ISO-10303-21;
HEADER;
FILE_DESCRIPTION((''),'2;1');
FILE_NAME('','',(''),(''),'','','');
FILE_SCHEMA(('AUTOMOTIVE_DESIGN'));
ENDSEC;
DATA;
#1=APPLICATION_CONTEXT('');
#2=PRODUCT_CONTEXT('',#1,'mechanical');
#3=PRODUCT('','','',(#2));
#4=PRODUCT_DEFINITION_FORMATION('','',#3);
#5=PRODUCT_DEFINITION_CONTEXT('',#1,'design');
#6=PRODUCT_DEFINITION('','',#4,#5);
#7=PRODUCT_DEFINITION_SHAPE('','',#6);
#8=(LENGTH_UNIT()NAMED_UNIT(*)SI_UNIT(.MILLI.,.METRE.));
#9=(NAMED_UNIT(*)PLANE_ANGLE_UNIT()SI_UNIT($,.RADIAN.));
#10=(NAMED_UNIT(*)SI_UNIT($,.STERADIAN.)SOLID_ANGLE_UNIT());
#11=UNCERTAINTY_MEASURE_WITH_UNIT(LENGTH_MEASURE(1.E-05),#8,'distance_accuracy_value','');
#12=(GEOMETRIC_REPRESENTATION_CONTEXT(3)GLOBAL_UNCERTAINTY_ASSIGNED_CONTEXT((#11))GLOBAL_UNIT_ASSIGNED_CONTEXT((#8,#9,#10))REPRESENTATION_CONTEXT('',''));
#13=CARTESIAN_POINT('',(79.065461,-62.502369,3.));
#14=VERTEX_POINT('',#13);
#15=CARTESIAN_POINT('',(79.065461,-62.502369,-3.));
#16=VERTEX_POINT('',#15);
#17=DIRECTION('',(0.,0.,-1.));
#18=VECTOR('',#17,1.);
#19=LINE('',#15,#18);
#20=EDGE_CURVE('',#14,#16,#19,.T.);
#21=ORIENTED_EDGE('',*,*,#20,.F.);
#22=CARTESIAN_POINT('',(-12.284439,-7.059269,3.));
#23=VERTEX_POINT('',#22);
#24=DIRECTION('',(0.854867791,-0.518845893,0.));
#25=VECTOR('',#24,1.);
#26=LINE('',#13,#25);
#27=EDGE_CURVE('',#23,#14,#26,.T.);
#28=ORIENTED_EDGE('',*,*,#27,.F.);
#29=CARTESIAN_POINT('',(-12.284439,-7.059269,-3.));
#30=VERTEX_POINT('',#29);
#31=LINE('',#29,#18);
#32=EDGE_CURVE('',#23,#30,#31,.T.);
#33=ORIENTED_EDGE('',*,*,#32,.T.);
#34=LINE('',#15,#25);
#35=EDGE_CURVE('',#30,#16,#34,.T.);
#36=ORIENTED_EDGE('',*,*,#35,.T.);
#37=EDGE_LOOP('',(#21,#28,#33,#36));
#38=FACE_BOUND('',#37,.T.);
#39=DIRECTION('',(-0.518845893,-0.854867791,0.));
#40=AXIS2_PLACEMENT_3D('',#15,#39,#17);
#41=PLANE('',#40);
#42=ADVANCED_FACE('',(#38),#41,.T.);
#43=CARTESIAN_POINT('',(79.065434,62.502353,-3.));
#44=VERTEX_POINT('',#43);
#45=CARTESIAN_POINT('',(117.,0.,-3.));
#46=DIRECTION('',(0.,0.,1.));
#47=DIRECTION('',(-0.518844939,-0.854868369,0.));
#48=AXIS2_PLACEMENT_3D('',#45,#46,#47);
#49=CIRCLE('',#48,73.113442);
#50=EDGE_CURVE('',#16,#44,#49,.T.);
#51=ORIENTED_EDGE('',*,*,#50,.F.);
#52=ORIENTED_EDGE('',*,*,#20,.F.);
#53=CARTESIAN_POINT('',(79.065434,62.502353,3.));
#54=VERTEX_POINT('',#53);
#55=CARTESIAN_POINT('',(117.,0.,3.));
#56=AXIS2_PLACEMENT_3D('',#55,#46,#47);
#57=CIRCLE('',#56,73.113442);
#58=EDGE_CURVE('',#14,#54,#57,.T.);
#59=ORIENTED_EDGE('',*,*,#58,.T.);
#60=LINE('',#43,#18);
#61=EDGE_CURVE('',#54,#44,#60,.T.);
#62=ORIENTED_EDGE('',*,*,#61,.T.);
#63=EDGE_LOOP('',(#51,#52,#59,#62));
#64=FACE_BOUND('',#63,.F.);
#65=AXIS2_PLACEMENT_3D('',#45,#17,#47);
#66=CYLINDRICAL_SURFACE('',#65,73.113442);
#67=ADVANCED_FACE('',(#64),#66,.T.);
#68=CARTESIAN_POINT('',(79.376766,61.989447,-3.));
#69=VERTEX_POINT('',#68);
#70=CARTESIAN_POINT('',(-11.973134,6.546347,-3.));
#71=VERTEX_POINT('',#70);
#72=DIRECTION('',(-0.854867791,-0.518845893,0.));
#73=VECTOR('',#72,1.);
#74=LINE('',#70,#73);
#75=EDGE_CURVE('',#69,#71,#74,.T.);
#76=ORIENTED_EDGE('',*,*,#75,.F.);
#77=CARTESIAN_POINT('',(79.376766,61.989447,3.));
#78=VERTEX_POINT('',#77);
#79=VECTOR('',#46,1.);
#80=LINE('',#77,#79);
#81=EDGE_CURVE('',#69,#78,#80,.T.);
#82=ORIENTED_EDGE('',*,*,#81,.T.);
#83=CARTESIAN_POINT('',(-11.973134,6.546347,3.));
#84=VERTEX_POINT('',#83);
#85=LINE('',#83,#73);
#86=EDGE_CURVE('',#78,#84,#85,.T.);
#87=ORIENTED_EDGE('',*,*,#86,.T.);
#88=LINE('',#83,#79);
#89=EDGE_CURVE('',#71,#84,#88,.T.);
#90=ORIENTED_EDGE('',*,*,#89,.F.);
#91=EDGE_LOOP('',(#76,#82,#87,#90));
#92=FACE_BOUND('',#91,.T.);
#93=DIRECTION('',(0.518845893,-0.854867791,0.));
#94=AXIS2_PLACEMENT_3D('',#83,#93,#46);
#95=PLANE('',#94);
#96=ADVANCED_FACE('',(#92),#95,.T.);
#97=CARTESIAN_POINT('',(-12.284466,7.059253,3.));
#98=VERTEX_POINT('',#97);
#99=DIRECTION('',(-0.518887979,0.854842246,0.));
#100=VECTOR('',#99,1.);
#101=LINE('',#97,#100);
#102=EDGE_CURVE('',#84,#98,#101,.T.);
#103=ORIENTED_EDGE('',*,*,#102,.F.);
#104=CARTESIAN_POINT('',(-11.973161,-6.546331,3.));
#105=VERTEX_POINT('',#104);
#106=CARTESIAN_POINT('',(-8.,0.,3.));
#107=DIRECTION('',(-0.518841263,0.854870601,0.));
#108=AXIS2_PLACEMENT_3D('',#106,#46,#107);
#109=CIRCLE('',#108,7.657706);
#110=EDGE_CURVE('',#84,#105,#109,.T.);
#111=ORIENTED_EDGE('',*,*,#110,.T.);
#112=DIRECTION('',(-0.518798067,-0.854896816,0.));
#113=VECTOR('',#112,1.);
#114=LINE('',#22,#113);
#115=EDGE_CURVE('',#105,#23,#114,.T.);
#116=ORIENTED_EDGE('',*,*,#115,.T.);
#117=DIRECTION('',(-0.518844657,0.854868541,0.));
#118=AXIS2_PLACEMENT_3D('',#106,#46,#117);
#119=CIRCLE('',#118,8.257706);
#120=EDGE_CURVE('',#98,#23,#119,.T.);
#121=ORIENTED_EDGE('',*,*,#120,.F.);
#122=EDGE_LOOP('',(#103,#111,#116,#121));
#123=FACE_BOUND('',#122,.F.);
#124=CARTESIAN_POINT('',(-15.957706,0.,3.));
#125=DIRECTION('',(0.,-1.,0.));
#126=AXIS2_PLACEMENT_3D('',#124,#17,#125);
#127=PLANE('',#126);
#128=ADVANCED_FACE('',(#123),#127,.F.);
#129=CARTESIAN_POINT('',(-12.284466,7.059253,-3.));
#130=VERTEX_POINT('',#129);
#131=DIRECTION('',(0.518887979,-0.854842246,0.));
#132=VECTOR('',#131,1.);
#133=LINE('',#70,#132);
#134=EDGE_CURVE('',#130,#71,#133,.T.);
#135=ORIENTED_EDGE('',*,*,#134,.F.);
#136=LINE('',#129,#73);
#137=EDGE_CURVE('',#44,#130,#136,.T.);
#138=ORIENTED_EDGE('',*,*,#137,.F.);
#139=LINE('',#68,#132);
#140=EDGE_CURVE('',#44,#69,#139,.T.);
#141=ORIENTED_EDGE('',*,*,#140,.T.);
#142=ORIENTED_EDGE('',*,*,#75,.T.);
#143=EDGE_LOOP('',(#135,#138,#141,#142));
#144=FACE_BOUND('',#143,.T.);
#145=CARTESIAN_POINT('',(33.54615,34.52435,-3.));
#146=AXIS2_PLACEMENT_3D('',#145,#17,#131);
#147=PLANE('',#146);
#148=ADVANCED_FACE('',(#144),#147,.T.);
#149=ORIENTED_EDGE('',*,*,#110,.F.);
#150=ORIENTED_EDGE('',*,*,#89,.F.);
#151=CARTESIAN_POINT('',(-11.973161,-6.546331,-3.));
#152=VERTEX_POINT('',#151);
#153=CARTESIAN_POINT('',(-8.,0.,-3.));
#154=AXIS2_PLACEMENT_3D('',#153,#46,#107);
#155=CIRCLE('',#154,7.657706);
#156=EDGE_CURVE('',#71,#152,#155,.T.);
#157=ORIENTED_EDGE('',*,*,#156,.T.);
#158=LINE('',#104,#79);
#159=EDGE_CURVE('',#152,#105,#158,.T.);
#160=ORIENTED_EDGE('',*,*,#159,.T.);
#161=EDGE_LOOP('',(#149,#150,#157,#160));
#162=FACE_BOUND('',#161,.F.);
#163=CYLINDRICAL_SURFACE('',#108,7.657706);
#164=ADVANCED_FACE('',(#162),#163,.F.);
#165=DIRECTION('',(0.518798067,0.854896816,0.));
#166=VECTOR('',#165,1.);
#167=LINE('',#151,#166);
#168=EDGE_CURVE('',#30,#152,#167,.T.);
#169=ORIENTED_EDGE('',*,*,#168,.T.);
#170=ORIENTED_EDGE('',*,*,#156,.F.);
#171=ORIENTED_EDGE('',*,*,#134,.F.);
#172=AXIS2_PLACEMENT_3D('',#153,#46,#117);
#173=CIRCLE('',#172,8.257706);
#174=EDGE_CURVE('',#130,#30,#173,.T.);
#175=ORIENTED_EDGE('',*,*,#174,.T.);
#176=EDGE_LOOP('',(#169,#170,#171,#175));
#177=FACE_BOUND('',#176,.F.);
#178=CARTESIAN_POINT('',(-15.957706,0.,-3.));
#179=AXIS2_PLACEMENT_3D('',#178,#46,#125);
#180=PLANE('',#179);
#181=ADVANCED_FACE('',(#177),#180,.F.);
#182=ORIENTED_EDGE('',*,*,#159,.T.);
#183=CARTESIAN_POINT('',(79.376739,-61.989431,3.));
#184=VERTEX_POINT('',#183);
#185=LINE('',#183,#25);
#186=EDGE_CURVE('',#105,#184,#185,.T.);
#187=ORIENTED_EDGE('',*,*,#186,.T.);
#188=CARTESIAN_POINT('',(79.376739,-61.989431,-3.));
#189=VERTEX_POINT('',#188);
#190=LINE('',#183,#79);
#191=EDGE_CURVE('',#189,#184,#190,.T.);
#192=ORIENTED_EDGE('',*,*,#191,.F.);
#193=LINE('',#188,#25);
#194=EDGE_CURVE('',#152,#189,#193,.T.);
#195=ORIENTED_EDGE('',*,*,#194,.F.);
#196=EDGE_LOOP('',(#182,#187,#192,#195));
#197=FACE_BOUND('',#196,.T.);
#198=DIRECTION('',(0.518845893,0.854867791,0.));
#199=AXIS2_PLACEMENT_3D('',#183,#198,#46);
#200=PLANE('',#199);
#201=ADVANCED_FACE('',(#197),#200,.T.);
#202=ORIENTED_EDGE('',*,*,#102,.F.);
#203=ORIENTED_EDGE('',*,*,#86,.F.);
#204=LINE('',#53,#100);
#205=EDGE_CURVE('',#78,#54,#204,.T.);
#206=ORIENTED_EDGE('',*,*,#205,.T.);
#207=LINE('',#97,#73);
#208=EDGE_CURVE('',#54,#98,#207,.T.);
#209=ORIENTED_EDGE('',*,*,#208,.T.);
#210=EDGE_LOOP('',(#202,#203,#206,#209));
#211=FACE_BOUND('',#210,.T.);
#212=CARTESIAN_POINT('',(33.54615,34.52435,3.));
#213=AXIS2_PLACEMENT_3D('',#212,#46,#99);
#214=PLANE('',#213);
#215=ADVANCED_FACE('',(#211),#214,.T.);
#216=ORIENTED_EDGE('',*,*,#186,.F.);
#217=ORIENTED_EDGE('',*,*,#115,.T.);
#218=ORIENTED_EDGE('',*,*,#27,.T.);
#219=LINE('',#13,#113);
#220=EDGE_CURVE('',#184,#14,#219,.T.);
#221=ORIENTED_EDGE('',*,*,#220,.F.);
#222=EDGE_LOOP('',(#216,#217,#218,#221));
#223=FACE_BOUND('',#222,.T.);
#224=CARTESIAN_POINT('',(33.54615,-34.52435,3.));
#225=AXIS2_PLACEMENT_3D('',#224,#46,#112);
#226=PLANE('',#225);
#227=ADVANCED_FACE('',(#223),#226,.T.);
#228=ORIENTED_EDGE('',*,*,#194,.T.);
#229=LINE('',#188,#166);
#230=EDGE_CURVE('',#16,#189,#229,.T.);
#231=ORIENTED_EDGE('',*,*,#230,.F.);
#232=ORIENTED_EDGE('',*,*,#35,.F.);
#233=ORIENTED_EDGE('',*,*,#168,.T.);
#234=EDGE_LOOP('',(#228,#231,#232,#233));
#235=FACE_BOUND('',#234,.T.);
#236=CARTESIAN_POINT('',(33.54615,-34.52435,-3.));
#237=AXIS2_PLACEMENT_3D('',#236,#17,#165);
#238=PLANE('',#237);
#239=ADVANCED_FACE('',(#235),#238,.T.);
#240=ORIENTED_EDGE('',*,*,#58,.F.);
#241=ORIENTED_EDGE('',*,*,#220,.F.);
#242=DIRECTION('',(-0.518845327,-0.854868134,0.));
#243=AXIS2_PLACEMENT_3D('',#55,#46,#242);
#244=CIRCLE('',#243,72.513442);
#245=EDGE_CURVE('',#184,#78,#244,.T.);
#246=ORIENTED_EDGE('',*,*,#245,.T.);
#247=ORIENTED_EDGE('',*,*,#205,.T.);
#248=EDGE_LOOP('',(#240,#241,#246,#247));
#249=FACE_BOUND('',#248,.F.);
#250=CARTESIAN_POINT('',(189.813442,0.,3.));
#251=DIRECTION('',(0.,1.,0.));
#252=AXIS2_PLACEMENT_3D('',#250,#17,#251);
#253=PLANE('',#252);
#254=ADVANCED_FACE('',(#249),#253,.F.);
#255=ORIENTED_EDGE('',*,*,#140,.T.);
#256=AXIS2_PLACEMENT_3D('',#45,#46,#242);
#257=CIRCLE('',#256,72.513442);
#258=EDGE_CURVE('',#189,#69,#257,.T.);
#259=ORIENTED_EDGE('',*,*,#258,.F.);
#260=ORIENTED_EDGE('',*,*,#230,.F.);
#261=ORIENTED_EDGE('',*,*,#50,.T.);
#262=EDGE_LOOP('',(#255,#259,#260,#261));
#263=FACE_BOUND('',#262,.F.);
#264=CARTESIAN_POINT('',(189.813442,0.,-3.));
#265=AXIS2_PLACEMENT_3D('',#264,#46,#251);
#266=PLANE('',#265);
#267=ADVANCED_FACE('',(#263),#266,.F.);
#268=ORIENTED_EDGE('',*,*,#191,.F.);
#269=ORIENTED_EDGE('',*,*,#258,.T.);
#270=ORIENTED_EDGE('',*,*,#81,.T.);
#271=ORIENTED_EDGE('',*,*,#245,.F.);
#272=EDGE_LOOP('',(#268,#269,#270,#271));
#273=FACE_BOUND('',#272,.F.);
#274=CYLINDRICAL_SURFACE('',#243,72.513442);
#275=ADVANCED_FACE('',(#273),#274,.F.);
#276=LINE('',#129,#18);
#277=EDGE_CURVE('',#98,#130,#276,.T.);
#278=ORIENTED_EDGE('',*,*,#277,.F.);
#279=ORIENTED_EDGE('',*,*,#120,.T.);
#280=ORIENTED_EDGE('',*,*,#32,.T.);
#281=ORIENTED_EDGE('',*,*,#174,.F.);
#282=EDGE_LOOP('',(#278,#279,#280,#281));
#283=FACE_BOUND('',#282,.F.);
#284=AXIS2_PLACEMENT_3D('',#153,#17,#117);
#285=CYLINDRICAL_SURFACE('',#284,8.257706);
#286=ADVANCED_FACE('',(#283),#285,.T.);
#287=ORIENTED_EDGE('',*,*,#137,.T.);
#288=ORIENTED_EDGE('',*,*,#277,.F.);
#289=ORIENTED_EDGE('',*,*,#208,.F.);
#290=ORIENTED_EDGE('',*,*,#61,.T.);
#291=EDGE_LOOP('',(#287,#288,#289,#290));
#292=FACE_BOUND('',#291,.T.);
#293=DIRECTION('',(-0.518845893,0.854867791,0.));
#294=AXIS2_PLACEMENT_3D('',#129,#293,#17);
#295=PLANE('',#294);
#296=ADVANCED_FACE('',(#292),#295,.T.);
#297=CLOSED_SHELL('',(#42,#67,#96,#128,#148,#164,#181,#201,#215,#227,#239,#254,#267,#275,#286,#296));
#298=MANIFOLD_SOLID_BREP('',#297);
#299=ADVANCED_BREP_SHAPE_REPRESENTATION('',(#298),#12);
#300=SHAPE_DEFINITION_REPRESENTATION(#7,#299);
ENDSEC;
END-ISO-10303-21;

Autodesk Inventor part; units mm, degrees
sketch "Sketch Path" plane through (0, 0, 0) normal (0, 0, 1) x (1, 0, 0)
  arc A0 (-12.1288, 6.8028) -> (-12.1288, -6.8028) centre (-8, 0) ccw
  arc A1 (79.2211, -62.2459) -> (79.2211, 62.2459) centre (117, 0) ccw
  line L0 (79.2211, -62.2459) -> (-12.1288, -6.8028)
  line L1 (-12.1288, 6.8028) -> (79.2211, 62.2459)
ref_plane "Cross Section Plane" through (-12.1288, -6.8028, 0) normal (0.8549, -0.5188, 0) x (0, 0, 1)
ref_plane "Work Plane2" through (-8, 0, 0) normal (-1, 0, 0) x (0, 0, 1)
ref_plane "Work Plane3" through (117, 0, 0) normal (-0.8721, -0.4894, 0) x (0, 0, 1)
sketch "Cross Section" plane through (-12.1288, -6.8028, 0) normal (0.8549, -0.5188, 0) x (0, 0, 1)
  line L0 (-3, 0.3) -> (3, 0.3)
  line L1 (3, 0.3) -> (3, -0.3)
  line L2 (3, -0.3) -> (-3, -0.3)
  line L3 (-3, -0.3) -> (-3, 0.3)
  line L4 (-3, 0) -> (3, 0) construction
  point P0 (0, 0)
  point P1 (0, 0)
  dimension "d0" = 6
  dimension "d4" = 0.3
  dimension "d5" = 0.3
sweep "Belt" add profiles "Cross Section" path "Sketch Path"
equation "\"d0\" = da_B"
equation "\"d4\" = da_a"
equation "\"d5\" = da_a2"
equation "\"da_B\" = 6"
equation "\"da_pb\" = 2.5"
equation "\"da_L\" = 538.2245"
equation "\"da_a\" = 0.3"
equation "\"da_S\" = 1.5"
equation "\"da_Beta\" = 20deg"
equation "\"da_Ht\" = 0.7"
equation "\"da_H\" = 1.3"
equation "\"da_a2\" = 0.3"
properties part number "Synchronous Belt" material "Rubber"
